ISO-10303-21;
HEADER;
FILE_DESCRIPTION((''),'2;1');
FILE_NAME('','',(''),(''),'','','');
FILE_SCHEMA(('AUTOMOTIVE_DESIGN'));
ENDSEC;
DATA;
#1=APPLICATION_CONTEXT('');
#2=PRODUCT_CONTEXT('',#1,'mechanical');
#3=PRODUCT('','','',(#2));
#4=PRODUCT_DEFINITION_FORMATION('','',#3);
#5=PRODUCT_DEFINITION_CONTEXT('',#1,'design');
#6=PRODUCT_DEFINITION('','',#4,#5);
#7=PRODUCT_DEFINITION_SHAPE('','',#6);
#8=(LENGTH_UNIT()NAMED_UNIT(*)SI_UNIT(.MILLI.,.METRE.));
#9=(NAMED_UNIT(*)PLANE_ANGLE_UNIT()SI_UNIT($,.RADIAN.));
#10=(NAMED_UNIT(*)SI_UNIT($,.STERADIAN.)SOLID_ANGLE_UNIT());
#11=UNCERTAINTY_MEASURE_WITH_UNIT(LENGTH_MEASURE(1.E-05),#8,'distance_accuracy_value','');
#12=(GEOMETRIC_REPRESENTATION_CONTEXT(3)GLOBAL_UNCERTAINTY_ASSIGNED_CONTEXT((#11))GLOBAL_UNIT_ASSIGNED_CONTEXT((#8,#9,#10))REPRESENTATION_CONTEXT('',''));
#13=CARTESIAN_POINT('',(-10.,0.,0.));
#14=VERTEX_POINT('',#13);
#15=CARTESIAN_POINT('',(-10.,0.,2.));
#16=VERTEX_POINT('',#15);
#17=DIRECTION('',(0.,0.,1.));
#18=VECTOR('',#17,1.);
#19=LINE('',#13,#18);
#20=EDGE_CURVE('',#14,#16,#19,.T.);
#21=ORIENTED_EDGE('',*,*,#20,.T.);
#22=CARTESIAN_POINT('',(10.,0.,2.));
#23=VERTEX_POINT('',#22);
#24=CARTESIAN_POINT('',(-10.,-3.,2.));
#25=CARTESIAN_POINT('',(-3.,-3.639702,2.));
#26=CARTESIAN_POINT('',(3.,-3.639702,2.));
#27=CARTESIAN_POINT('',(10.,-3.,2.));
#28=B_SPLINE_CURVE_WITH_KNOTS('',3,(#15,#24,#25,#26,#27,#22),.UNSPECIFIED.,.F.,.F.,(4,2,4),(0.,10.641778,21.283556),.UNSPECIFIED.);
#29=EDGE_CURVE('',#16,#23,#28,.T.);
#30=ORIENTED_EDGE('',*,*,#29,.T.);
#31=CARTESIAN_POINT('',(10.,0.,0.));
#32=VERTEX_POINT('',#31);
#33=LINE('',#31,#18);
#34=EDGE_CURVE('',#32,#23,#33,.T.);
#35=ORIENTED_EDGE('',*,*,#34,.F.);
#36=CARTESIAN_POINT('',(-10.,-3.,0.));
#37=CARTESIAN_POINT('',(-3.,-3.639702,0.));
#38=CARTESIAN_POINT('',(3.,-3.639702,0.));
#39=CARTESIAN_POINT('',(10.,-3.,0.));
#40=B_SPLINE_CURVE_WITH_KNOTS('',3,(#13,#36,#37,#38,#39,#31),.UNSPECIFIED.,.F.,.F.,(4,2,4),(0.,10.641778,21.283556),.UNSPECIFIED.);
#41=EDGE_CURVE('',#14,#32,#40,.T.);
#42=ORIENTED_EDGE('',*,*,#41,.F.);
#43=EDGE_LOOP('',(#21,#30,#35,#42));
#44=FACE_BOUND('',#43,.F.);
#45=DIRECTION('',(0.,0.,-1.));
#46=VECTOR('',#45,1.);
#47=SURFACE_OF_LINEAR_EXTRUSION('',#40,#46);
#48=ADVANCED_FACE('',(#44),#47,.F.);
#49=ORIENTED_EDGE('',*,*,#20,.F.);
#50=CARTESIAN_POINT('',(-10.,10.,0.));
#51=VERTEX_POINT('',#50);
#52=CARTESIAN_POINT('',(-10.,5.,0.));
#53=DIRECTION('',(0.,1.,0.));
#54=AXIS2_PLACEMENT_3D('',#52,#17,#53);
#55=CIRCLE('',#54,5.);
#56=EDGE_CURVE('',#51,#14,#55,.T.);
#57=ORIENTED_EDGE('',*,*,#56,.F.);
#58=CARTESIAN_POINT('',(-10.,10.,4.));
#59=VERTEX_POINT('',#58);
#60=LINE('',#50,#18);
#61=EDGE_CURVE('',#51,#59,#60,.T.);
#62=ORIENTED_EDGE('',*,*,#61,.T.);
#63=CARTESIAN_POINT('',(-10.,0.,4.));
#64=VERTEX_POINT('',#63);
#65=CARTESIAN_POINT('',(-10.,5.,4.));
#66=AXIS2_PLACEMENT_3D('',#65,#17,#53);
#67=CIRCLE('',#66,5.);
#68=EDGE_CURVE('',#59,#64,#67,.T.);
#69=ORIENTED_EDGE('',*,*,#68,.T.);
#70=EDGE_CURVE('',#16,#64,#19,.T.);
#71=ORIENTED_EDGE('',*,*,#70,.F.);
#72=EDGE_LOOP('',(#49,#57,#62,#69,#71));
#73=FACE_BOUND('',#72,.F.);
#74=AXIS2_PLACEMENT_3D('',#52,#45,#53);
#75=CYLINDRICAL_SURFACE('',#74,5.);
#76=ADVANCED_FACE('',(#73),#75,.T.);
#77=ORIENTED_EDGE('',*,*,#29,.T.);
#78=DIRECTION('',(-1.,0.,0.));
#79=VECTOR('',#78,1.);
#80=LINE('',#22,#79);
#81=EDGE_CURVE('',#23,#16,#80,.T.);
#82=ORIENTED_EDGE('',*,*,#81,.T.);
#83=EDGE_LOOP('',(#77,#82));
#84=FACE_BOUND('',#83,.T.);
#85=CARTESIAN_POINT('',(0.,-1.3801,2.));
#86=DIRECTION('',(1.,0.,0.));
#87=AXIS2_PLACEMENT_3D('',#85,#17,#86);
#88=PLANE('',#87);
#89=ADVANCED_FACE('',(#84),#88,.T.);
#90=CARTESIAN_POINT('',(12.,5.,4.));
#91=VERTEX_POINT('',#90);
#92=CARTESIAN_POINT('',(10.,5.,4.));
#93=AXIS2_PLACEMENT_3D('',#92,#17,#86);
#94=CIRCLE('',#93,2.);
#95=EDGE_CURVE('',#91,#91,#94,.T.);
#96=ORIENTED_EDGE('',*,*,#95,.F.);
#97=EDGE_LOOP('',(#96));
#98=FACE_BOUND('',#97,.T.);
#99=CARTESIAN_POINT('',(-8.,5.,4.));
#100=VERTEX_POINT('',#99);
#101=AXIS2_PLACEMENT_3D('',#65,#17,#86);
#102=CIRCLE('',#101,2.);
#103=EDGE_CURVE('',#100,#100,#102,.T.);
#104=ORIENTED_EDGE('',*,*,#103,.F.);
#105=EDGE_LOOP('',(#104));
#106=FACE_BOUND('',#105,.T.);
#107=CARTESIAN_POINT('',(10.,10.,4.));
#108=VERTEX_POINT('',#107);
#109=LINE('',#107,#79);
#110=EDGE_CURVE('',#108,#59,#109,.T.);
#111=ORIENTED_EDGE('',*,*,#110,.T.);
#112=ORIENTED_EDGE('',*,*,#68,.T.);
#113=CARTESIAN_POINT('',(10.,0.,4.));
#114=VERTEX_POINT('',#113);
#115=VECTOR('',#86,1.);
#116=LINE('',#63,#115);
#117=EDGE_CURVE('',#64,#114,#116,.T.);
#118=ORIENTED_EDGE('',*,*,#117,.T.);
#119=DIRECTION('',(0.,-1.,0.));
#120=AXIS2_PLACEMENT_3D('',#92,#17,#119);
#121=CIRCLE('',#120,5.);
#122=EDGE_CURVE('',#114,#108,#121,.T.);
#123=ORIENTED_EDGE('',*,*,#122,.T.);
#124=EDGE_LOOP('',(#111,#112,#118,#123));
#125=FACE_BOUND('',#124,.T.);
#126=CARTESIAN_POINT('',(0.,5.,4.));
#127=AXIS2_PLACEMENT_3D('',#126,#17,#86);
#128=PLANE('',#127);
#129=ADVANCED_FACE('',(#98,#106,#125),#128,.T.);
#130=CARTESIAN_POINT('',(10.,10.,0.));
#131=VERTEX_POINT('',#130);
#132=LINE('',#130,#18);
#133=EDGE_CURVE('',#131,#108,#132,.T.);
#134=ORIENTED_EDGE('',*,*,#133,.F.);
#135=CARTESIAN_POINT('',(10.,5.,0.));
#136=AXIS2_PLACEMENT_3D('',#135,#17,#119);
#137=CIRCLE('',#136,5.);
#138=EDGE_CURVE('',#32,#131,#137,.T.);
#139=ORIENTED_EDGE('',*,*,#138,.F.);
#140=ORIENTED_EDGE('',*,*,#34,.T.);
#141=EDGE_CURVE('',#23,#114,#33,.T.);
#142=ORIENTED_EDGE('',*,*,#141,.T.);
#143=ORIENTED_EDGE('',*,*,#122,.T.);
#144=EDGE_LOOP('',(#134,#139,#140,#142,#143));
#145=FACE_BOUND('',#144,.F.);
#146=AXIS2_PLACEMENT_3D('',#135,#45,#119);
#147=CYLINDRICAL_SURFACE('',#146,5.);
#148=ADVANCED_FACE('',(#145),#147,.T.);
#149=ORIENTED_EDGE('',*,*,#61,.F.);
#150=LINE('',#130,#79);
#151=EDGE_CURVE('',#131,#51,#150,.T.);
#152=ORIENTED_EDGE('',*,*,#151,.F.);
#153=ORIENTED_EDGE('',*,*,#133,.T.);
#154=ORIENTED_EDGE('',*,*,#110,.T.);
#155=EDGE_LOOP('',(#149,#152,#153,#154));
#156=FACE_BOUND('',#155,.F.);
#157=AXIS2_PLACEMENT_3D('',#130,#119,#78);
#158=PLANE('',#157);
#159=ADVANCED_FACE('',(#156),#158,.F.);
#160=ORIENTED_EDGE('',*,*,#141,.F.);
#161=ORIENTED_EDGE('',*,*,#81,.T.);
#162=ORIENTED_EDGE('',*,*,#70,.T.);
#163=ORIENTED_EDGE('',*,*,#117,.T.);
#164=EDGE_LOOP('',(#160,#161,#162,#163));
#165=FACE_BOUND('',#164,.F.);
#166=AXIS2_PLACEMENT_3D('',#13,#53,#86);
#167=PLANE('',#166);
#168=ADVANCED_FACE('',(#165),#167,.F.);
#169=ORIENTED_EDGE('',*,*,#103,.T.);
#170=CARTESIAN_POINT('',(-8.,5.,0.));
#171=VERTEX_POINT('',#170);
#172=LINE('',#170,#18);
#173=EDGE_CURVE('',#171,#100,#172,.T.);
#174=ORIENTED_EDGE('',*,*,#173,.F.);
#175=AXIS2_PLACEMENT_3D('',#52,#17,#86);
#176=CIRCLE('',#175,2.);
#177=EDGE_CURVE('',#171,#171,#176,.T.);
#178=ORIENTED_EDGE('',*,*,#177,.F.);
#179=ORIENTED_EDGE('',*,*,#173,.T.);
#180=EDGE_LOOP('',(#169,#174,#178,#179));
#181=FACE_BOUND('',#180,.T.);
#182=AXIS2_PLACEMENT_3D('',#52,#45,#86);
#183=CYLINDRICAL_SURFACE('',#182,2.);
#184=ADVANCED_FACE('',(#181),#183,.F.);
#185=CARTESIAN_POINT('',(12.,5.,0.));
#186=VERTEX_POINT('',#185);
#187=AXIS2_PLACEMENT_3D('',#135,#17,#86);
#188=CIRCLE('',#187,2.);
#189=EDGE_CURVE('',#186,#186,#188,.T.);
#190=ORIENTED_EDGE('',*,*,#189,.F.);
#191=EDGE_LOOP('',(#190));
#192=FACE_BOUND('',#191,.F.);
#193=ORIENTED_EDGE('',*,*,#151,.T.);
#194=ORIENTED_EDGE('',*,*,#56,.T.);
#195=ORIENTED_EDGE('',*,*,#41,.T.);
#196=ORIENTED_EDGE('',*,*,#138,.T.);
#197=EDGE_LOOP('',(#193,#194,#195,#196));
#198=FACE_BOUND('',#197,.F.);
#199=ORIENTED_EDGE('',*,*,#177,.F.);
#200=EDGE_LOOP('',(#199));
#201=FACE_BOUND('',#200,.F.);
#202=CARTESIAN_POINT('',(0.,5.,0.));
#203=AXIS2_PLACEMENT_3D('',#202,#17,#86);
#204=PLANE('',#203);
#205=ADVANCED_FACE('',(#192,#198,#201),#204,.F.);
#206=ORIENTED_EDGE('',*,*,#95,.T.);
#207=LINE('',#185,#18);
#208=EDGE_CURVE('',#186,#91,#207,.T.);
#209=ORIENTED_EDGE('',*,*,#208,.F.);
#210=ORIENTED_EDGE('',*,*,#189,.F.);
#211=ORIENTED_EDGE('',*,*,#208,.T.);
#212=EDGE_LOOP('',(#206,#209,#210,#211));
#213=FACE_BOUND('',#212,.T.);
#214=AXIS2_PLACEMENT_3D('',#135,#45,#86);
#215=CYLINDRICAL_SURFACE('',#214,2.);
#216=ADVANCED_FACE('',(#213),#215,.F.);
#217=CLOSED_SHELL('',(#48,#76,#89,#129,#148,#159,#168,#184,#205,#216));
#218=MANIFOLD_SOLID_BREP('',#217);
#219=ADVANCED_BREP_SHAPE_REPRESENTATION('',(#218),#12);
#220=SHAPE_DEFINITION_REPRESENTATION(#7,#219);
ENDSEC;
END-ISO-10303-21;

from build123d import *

# Parameters (mm, degrees)
F1_DEPTH = 2
F0_R     = 2
F2_DEPTH = 4


with BuildPart() as f1:
    # F0 (on Top) → F1 (new body)
    with BuildSketch(Plane.XY):
        with BuildLine():
            Line((10, 0), (-10, 0))
            add(Edge.make_bspline(
                [(-10, 0), (-10, -3), (-3, -3.639702), (0, -3.639702)],
                knots=[0, 0, 0, 0, 10.641778, 10.641778, 10.641778, 10.641778], degree=3))
            add(Edge.make_bspline(
                [(10, 0), (10, -3), (3, -3.639702), (0, -3.639702)],
                knots=[0, 0, 0, 0, 10.641778, 10.641778, 10.641778, 10.641778], degree=3))
        make_face()
    extrude(amount=F1_DEPTH)

    # F0 (on Top) → F2 (join)
    with BuildSketch(Plane.XY):
        with BuildLine():
            Line((10, 10), (0, 10))
            Line((0, 10), (-10, 10))
            ThreePointArc((-10, 10), (-15, 5), (-10, 0))
            Line((-10, 0), (10, 0))
            ThreePointArc((10, 0), (15, 5), (10, 10))
        make_face()
        with Locations((-10, 5)):
            Circle(F0_R, mode=Mode.SUBTRACT)
        with Locations((10, 5)):
            Circle(F0_R, mode=Mode.SUBTRACT)
    extrude(amount=F2_DEPTH)


solid = f1.part
